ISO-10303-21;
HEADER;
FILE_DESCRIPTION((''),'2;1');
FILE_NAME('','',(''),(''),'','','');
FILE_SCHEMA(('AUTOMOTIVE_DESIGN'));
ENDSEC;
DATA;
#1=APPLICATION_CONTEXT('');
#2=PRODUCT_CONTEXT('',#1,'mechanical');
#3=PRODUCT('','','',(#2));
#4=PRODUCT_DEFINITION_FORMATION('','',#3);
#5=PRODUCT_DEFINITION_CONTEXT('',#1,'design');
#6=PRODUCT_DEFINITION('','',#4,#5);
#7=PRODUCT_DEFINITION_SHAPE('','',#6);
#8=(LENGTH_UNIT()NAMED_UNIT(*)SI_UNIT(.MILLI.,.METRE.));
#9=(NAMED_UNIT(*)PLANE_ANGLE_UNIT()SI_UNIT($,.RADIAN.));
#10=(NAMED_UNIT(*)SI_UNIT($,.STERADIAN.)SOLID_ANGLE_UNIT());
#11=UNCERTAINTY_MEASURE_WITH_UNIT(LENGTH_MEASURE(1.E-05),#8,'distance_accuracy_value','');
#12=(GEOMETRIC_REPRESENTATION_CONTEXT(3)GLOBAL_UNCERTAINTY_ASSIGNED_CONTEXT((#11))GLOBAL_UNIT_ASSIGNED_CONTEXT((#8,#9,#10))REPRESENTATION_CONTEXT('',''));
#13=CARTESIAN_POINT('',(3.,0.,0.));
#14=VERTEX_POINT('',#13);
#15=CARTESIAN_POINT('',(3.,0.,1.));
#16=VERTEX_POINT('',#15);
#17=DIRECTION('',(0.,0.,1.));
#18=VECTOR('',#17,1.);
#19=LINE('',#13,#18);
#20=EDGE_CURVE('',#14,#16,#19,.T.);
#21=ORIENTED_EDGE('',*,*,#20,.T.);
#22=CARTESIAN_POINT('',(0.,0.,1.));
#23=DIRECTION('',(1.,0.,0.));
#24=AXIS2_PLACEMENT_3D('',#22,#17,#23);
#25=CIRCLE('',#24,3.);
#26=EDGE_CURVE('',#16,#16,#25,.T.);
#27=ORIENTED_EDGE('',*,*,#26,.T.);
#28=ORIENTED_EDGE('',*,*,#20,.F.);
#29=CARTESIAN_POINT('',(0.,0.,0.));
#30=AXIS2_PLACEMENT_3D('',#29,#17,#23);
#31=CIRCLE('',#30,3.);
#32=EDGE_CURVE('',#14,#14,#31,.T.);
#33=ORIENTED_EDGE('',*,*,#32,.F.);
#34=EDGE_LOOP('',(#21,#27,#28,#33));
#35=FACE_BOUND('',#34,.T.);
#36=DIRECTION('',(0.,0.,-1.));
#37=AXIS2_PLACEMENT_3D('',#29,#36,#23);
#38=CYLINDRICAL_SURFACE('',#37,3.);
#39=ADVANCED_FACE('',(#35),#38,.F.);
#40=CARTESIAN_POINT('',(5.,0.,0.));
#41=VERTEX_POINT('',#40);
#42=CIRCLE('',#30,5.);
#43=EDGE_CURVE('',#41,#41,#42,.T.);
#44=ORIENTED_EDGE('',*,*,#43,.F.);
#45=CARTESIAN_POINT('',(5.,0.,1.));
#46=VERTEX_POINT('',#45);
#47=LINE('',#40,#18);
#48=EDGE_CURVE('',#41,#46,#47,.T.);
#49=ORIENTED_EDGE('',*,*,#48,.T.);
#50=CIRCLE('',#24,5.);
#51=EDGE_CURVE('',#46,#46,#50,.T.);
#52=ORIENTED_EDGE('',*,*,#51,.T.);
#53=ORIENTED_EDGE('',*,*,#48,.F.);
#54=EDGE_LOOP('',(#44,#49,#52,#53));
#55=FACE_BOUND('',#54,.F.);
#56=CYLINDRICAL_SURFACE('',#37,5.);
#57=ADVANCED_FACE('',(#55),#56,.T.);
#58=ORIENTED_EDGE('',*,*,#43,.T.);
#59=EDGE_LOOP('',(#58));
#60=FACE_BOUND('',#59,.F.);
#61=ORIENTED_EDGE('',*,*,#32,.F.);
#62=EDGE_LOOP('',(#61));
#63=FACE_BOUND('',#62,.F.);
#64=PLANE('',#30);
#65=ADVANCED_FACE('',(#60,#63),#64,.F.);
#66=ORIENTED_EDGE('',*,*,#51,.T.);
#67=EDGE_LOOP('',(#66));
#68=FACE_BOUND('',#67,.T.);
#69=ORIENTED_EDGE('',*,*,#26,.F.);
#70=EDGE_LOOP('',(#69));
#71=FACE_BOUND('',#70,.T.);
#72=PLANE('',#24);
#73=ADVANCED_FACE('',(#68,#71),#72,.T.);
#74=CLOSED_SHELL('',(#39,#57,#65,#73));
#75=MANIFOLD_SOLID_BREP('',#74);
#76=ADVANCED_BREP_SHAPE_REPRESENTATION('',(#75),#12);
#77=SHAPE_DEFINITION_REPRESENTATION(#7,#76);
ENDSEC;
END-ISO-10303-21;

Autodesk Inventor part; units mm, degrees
ref_plane "YZ Plane" through (0, 0, 0) normal (1, 0, 0) x (0, 1, 0)
ref_plane "XZ Plane" through (0, 0, 0) normal (0, 1, 0) x (-1, 0, 0)
ref_plane "XY Plane" through (0, 0, 0) normal (0, 0, 1) x (1, 0, 0)
sketch "Náčrt1" plane through (0, 0, 0) normal (0, 0, 1) x (1, 0, 0)
  circle A0 centre (0, 0) radius 3
  circle A1 centre (0, 0) radius 5
  dimension "d0" = 6
  dimension "d1" = 10
extrude "Vysunutí1" add sketch "Náčrt1" along normal blind 1
properties part number "support-ring_3D tisk"
